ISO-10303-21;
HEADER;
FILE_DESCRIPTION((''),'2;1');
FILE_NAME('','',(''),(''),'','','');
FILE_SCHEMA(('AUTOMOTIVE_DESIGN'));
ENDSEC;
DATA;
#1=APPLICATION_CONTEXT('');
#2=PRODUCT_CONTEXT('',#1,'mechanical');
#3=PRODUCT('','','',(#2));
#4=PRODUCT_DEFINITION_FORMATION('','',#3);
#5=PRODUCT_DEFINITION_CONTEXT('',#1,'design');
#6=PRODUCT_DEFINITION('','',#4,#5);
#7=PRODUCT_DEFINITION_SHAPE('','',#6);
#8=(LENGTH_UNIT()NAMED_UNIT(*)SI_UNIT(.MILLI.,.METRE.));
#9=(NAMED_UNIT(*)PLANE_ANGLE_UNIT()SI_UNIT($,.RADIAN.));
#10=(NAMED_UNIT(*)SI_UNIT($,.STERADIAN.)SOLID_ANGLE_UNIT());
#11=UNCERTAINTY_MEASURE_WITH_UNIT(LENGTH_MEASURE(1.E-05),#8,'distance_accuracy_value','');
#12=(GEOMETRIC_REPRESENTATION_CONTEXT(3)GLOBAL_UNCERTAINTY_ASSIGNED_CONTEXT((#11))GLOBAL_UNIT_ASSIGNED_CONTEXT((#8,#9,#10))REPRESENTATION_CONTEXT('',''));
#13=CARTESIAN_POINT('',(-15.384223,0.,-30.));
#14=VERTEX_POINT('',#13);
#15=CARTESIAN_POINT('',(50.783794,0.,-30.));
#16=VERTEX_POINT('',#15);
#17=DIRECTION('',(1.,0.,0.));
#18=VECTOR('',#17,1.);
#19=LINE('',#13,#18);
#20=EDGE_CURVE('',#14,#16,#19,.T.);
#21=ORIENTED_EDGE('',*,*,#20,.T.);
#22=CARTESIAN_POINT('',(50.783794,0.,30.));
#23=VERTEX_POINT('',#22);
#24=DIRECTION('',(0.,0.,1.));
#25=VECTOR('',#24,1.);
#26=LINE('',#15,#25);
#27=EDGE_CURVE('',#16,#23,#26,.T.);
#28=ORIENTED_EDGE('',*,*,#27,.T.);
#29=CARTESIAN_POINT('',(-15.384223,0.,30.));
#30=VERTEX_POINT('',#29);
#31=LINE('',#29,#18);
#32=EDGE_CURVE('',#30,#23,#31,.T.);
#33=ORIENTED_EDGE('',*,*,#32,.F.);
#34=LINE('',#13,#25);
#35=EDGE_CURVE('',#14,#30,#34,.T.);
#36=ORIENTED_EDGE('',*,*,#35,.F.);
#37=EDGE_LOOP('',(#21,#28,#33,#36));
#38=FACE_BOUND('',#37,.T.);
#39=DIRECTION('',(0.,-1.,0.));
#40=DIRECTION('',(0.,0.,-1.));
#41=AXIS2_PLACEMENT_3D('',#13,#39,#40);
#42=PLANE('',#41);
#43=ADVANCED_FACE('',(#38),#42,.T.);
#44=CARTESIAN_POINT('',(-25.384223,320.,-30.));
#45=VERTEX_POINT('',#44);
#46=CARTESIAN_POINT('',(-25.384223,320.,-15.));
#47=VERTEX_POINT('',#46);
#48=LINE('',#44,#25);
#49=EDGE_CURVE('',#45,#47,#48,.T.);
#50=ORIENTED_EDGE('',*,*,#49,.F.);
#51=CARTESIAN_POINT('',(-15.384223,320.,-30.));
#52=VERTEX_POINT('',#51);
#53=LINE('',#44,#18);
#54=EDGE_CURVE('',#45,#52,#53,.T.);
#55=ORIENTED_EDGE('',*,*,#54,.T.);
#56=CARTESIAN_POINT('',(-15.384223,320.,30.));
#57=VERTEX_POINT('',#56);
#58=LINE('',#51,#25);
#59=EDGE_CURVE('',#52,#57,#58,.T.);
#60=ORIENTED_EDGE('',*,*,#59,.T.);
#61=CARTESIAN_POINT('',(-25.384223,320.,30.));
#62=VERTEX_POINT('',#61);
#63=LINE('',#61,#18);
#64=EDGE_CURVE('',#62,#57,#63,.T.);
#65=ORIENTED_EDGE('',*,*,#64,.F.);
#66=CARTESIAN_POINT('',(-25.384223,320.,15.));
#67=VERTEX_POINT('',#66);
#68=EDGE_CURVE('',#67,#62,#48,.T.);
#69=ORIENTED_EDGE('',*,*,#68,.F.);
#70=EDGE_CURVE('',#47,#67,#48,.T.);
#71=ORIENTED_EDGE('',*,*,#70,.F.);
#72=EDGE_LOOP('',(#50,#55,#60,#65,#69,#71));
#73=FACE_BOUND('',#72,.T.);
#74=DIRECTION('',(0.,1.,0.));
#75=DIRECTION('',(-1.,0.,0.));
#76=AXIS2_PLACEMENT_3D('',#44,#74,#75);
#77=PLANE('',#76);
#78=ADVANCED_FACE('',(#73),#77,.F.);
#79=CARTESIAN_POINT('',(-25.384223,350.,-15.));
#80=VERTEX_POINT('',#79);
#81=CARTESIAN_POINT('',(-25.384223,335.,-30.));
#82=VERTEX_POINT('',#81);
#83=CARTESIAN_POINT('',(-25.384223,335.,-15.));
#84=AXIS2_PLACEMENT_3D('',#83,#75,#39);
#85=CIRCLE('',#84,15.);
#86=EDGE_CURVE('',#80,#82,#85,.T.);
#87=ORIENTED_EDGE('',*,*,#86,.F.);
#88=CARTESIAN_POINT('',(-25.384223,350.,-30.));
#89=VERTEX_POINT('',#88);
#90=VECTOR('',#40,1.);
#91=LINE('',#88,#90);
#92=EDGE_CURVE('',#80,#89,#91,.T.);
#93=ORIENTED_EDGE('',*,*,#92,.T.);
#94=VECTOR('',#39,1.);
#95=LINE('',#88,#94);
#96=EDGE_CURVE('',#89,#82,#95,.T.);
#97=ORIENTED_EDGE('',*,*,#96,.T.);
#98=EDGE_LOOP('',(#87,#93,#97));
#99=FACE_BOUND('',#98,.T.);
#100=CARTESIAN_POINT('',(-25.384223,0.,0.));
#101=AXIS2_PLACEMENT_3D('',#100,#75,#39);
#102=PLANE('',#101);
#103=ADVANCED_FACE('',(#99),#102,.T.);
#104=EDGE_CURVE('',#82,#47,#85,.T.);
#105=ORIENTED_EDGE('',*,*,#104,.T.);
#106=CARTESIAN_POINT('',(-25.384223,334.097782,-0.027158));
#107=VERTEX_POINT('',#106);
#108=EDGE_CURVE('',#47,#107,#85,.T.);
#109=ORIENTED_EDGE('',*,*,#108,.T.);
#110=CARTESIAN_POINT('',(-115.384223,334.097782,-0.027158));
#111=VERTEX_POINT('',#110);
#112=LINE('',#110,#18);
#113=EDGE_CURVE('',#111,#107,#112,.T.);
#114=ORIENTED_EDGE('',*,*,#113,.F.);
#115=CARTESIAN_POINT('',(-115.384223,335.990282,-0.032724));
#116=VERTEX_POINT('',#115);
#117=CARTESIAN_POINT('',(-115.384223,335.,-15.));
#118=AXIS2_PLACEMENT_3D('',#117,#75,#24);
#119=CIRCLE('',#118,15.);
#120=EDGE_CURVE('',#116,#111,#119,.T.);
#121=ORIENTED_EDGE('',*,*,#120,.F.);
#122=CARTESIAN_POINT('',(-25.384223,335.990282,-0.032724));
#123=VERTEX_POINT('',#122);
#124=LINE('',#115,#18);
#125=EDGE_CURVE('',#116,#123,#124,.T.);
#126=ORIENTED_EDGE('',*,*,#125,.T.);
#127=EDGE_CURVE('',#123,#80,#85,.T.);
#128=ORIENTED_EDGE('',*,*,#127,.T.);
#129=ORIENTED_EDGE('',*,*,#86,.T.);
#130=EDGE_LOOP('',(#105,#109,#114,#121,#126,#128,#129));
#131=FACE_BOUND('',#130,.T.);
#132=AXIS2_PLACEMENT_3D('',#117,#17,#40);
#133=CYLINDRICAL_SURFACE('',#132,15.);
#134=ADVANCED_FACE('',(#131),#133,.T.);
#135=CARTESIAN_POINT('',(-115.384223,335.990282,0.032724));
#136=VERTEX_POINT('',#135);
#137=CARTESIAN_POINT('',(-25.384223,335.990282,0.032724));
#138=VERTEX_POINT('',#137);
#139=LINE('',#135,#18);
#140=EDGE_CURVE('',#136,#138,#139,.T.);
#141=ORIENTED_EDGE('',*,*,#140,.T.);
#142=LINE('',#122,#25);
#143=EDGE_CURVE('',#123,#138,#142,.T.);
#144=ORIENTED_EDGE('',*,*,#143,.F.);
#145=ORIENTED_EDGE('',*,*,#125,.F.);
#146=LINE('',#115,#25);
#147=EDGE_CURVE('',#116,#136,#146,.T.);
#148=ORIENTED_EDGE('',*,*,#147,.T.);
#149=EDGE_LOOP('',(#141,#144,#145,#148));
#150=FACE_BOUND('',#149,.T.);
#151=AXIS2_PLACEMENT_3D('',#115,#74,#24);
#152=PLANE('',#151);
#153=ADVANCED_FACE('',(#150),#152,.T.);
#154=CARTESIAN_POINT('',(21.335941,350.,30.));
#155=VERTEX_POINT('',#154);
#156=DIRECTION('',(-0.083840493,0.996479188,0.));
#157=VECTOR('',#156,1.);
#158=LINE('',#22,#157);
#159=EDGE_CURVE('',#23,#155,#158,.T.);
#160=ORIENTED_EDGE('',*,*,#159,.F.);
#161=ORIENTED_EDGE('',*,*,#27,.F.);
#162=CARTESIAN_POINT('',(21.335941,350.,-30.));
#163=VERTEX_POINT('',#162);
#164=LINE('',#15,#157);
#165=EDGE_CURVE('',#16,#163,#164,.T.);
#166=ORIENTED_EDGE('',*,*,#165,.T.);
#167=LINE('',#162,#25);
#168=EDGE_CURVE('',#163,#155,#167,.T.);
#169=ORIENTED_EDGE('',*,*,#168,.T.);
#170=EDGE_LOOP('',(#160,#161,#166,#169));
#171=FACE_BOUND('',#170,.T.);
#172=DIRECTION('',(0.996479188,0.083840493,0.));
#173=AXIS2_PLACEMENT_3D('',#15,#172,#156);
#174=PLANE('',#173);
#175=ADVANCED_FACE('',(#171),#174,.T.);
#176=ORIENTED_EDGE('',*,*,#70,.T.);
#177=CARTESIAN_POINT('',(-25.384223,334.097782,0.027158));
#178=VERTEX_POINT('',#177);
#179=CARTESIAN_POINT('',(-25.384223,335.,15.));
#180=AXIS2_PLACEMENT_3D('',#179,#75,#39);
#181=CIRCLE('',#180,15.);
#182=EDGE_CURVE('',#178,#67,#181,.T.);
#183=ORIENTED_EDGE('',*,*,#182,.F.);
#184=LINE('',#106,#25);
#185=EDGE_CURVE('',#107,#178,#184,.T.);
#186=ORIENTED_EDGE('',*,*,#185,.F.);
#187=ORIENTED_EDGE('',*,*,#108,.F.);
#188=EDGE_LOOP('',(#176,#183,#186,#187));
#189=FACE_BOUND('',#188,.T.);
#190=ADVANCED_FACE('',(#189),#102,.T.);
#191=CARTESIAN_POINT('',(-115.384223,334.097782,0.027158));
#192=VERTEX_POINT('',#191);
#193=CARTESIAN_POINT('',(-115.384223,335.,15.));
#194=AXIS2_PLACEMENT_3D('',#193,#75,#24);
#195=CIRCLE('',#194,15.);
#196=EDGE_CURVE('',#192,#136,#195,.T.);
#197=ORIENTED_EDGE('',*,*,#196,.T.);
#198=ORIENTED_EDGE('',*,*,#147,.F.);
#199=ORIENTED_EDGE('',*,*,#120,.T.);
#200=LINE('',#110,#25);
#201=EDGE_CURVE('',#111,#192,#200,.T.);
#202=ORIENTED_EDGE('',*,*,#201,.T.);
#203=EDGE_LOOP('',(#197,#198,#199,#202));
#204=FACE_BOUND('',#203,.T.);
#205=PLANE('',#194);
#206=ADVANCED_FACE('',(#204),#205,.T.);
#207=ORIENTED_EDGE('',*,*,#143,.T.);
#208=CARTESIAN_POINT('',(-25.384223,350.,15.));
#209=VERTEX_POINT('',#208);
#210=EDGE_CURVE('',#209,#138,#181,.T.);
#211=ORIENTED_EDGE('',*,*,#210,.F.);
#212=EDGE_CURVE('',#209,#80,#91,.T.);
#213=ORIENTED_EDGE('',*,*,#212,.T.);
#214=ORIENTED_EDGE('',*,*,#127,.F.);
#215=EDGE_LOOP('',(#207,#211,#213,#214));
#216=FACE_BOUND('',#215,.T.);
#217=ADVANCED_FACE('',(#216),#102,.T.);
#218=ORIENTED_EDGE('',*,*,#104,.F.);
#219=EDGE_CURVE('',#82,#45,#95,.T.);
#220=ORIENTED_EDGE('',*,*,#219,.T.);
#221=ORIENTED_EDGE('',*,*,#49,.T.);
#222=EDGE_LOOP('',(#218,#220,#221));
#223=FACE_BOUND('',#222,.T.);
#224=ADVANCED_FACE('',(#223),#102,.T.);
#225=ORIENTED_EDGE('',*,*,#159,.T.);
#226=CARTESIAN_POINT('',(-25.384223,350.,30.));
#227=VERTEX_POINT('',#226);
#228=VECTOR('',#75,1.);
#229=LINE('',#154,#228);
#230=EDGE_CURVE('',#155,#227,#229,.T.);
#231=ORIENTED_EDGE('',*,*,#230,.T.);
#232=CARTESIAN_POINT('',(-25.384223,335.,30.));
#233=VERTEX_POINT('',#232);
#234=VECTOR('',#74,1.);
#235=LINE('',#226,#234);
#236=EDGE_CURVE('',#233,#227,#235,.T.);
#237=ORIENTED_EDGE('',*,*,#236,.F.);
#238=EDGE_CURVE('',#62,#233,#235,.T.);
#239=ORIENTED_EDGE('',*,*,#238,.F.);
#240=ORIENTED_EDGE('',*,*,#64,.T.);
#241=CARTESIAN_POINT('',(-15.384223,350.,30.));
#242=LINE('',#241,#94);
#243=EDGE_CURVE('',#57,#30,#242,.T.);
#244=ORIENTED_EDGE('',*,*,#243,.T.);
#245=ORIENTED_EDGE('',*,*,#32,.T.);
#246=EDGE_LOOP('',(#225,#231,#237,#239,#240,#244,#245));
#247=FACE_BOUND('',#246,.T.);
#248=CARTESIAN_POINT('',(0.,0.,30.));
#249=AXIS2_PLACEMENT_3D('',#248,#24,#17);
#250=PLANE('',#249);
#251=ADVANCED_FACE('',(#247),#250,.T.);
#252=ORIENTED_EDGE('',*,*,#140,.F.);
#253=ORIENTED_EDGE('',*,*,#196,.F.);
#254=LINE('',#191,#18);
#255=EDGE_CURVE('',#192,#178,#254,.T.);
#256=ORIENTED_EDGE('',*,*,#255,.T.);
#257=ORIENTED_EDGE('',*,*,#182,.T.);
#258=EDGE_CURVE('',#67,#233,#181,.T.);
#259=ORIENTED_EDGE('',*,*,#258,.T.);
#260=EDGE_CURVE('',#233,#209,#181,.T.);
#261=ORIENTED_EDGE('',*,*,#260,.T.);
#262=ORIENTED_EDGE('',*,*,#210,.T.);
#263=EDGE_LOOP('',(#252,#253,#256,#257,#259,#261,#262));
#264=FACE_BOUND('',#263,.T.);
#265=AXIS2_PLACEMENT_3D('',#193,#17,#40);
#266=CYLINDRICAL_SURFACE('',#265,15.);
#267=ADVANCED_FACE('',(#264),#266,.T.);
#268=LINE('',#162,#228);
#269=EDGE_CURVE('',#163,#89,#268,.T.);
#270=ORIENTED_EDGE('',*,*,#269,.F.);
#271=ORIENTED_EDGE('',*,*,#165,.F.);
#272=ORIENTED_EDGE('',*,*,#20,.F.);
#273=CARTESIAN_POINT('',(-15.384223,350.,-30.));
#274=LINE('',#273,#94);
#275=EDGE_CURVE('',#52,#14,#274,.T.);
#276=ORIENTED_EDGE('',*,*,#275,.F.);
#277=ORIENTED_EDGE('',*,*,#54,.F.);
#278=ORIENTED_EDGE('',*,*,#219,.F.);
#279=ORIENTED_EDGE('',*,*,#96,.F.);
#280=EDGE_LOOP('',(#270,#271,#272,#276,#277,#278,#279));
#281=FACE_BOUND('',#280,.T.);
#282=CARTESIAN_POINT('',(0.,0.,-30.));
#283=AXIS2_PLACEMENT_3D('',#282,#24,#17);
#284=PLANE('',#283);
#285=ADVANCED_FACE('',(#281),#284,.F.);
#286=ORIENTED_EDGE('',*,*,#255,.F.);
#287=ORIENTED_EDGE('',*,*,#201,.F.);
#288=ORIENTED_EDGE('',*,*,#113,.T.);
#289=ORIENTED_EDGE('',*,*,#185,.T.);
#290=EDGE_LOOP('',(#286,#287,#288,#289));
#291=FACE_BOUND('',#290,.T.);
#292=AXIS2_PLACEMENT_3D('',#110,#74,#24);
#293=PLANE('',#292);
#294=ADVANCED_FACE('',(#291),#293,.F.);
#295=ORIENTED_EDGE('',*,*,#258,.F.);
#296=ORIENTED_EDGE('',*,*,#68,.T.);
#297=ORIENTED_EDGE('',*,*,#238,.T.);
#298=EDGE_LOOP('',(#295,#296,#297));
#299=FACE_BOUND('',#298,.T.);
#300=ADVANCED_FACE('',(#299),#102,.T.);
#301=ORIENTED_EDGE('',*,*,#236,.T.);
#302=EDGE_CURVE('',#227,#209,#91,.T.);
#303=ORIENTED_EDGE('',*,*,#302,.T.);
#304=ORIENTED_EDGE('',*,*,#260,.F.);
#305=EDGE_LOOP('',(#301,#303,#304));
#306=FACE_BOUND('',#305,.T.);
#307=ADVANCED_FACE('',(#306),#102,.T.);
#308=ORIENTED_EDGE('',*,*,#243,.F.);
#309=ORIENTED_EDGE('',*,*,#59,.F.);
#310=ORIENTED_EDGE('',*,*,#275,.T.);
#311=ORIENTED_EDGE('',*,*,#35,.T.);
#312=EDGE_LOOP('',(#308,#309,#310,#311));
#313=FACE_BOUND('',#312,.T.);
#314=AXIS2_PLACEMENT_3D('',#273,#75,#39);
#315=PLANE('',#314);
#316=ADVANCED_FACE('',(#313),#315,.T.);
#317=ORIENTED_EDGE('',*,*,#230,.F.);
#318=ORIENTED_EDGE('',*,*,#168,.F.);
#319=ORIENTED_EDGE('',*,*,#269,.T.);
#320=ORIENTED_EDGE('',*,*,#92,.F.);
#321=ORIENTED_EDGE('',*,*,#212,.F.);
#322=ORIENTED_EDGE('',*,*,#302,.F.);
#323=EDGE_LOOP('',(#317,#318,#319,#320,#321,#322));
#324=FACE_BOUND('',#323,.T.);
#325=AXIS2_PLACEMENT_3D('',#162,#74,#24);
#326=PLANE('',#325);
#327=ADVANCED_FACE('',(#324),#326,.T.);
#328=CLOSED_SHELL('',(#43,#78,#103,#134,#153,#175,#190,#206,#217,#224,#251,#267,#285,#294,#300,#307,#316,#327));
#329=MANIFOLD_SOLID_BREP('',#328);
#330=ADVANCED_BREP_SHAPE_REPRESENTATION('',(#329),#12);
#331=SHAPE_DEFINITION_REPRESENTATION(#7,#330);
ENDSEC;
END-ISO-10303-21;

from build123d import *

# Parameters (mm, degrees)
ESTRUSIONE_ESTRUSIONE1_DEPTH      = 30
ESTRUSIONE_ESTRUSIONE1_DEPTH_BACK = 30
ESTRUSIONE_ESTRUSIONE2_DEPTH      = 100
SCHIZZO4_W                        = 60
SCHIZZO4_H                        = 30
ESTRUSIONE_ESTRUSIONE3_DEPTH      = 10


with BuildPart() as part:
    # Schizzo2 → Estrusione-Estrusione1 (new, two sides: drawn at the far end of the back side and taken through both)
    with BuildSketch(Plane.XY.offset(-ESTRUSIONE_ESTRUSIONE1_DEPTH_BACK)):
        Polygon((-15.384222889, 0), (50.78379402, 0), (21.335941259, 350), (-15.384222889, 350), align=None)
    extrude(amount=ESTRUSIONE_ESTRUSIONE1_DEPTH + ESTRUSIONE_ESTRUSIONE1_DEPTH_BACK)

    # Schizzo3 → Estrusione-Estrusione2 (add)
    with BuildSketch(Plane.ZY.offset(15.384222889)):
        with BuildLine():
            Line((-0.032724291, 335.990281697), (0.032724291, 335.990281697))
            ThreePointArc((0.032724291, 335.990281697), (29.999935115, 334.955880248), (0.027157826, 334.097782056))
            Line((0.027157826, 334.097782056), (-0.027157826, 334.097782056))
            ThreePointArc((-0.027157826, 334.097782056), (-29.999935115, 334.955880248), (-0.032724291, 335.990281697))
        make_face()
    extrude(amount=ESTRUSIONE_ESTRUSIONE2_DEPTH)

    # Schizzo4 → Estrusione-Estrusione3 (add)
    with BuildSketch(Plane.ZY.offset(15.384222889)):
        with Locations((0, 335)):
            Rectangle(SCHIZZO4_W, SCHIZZO4_H)
    extrude(amount=ESTRUSIONE_ESTRUSIONE3_DEPTH)


solid = part.part
